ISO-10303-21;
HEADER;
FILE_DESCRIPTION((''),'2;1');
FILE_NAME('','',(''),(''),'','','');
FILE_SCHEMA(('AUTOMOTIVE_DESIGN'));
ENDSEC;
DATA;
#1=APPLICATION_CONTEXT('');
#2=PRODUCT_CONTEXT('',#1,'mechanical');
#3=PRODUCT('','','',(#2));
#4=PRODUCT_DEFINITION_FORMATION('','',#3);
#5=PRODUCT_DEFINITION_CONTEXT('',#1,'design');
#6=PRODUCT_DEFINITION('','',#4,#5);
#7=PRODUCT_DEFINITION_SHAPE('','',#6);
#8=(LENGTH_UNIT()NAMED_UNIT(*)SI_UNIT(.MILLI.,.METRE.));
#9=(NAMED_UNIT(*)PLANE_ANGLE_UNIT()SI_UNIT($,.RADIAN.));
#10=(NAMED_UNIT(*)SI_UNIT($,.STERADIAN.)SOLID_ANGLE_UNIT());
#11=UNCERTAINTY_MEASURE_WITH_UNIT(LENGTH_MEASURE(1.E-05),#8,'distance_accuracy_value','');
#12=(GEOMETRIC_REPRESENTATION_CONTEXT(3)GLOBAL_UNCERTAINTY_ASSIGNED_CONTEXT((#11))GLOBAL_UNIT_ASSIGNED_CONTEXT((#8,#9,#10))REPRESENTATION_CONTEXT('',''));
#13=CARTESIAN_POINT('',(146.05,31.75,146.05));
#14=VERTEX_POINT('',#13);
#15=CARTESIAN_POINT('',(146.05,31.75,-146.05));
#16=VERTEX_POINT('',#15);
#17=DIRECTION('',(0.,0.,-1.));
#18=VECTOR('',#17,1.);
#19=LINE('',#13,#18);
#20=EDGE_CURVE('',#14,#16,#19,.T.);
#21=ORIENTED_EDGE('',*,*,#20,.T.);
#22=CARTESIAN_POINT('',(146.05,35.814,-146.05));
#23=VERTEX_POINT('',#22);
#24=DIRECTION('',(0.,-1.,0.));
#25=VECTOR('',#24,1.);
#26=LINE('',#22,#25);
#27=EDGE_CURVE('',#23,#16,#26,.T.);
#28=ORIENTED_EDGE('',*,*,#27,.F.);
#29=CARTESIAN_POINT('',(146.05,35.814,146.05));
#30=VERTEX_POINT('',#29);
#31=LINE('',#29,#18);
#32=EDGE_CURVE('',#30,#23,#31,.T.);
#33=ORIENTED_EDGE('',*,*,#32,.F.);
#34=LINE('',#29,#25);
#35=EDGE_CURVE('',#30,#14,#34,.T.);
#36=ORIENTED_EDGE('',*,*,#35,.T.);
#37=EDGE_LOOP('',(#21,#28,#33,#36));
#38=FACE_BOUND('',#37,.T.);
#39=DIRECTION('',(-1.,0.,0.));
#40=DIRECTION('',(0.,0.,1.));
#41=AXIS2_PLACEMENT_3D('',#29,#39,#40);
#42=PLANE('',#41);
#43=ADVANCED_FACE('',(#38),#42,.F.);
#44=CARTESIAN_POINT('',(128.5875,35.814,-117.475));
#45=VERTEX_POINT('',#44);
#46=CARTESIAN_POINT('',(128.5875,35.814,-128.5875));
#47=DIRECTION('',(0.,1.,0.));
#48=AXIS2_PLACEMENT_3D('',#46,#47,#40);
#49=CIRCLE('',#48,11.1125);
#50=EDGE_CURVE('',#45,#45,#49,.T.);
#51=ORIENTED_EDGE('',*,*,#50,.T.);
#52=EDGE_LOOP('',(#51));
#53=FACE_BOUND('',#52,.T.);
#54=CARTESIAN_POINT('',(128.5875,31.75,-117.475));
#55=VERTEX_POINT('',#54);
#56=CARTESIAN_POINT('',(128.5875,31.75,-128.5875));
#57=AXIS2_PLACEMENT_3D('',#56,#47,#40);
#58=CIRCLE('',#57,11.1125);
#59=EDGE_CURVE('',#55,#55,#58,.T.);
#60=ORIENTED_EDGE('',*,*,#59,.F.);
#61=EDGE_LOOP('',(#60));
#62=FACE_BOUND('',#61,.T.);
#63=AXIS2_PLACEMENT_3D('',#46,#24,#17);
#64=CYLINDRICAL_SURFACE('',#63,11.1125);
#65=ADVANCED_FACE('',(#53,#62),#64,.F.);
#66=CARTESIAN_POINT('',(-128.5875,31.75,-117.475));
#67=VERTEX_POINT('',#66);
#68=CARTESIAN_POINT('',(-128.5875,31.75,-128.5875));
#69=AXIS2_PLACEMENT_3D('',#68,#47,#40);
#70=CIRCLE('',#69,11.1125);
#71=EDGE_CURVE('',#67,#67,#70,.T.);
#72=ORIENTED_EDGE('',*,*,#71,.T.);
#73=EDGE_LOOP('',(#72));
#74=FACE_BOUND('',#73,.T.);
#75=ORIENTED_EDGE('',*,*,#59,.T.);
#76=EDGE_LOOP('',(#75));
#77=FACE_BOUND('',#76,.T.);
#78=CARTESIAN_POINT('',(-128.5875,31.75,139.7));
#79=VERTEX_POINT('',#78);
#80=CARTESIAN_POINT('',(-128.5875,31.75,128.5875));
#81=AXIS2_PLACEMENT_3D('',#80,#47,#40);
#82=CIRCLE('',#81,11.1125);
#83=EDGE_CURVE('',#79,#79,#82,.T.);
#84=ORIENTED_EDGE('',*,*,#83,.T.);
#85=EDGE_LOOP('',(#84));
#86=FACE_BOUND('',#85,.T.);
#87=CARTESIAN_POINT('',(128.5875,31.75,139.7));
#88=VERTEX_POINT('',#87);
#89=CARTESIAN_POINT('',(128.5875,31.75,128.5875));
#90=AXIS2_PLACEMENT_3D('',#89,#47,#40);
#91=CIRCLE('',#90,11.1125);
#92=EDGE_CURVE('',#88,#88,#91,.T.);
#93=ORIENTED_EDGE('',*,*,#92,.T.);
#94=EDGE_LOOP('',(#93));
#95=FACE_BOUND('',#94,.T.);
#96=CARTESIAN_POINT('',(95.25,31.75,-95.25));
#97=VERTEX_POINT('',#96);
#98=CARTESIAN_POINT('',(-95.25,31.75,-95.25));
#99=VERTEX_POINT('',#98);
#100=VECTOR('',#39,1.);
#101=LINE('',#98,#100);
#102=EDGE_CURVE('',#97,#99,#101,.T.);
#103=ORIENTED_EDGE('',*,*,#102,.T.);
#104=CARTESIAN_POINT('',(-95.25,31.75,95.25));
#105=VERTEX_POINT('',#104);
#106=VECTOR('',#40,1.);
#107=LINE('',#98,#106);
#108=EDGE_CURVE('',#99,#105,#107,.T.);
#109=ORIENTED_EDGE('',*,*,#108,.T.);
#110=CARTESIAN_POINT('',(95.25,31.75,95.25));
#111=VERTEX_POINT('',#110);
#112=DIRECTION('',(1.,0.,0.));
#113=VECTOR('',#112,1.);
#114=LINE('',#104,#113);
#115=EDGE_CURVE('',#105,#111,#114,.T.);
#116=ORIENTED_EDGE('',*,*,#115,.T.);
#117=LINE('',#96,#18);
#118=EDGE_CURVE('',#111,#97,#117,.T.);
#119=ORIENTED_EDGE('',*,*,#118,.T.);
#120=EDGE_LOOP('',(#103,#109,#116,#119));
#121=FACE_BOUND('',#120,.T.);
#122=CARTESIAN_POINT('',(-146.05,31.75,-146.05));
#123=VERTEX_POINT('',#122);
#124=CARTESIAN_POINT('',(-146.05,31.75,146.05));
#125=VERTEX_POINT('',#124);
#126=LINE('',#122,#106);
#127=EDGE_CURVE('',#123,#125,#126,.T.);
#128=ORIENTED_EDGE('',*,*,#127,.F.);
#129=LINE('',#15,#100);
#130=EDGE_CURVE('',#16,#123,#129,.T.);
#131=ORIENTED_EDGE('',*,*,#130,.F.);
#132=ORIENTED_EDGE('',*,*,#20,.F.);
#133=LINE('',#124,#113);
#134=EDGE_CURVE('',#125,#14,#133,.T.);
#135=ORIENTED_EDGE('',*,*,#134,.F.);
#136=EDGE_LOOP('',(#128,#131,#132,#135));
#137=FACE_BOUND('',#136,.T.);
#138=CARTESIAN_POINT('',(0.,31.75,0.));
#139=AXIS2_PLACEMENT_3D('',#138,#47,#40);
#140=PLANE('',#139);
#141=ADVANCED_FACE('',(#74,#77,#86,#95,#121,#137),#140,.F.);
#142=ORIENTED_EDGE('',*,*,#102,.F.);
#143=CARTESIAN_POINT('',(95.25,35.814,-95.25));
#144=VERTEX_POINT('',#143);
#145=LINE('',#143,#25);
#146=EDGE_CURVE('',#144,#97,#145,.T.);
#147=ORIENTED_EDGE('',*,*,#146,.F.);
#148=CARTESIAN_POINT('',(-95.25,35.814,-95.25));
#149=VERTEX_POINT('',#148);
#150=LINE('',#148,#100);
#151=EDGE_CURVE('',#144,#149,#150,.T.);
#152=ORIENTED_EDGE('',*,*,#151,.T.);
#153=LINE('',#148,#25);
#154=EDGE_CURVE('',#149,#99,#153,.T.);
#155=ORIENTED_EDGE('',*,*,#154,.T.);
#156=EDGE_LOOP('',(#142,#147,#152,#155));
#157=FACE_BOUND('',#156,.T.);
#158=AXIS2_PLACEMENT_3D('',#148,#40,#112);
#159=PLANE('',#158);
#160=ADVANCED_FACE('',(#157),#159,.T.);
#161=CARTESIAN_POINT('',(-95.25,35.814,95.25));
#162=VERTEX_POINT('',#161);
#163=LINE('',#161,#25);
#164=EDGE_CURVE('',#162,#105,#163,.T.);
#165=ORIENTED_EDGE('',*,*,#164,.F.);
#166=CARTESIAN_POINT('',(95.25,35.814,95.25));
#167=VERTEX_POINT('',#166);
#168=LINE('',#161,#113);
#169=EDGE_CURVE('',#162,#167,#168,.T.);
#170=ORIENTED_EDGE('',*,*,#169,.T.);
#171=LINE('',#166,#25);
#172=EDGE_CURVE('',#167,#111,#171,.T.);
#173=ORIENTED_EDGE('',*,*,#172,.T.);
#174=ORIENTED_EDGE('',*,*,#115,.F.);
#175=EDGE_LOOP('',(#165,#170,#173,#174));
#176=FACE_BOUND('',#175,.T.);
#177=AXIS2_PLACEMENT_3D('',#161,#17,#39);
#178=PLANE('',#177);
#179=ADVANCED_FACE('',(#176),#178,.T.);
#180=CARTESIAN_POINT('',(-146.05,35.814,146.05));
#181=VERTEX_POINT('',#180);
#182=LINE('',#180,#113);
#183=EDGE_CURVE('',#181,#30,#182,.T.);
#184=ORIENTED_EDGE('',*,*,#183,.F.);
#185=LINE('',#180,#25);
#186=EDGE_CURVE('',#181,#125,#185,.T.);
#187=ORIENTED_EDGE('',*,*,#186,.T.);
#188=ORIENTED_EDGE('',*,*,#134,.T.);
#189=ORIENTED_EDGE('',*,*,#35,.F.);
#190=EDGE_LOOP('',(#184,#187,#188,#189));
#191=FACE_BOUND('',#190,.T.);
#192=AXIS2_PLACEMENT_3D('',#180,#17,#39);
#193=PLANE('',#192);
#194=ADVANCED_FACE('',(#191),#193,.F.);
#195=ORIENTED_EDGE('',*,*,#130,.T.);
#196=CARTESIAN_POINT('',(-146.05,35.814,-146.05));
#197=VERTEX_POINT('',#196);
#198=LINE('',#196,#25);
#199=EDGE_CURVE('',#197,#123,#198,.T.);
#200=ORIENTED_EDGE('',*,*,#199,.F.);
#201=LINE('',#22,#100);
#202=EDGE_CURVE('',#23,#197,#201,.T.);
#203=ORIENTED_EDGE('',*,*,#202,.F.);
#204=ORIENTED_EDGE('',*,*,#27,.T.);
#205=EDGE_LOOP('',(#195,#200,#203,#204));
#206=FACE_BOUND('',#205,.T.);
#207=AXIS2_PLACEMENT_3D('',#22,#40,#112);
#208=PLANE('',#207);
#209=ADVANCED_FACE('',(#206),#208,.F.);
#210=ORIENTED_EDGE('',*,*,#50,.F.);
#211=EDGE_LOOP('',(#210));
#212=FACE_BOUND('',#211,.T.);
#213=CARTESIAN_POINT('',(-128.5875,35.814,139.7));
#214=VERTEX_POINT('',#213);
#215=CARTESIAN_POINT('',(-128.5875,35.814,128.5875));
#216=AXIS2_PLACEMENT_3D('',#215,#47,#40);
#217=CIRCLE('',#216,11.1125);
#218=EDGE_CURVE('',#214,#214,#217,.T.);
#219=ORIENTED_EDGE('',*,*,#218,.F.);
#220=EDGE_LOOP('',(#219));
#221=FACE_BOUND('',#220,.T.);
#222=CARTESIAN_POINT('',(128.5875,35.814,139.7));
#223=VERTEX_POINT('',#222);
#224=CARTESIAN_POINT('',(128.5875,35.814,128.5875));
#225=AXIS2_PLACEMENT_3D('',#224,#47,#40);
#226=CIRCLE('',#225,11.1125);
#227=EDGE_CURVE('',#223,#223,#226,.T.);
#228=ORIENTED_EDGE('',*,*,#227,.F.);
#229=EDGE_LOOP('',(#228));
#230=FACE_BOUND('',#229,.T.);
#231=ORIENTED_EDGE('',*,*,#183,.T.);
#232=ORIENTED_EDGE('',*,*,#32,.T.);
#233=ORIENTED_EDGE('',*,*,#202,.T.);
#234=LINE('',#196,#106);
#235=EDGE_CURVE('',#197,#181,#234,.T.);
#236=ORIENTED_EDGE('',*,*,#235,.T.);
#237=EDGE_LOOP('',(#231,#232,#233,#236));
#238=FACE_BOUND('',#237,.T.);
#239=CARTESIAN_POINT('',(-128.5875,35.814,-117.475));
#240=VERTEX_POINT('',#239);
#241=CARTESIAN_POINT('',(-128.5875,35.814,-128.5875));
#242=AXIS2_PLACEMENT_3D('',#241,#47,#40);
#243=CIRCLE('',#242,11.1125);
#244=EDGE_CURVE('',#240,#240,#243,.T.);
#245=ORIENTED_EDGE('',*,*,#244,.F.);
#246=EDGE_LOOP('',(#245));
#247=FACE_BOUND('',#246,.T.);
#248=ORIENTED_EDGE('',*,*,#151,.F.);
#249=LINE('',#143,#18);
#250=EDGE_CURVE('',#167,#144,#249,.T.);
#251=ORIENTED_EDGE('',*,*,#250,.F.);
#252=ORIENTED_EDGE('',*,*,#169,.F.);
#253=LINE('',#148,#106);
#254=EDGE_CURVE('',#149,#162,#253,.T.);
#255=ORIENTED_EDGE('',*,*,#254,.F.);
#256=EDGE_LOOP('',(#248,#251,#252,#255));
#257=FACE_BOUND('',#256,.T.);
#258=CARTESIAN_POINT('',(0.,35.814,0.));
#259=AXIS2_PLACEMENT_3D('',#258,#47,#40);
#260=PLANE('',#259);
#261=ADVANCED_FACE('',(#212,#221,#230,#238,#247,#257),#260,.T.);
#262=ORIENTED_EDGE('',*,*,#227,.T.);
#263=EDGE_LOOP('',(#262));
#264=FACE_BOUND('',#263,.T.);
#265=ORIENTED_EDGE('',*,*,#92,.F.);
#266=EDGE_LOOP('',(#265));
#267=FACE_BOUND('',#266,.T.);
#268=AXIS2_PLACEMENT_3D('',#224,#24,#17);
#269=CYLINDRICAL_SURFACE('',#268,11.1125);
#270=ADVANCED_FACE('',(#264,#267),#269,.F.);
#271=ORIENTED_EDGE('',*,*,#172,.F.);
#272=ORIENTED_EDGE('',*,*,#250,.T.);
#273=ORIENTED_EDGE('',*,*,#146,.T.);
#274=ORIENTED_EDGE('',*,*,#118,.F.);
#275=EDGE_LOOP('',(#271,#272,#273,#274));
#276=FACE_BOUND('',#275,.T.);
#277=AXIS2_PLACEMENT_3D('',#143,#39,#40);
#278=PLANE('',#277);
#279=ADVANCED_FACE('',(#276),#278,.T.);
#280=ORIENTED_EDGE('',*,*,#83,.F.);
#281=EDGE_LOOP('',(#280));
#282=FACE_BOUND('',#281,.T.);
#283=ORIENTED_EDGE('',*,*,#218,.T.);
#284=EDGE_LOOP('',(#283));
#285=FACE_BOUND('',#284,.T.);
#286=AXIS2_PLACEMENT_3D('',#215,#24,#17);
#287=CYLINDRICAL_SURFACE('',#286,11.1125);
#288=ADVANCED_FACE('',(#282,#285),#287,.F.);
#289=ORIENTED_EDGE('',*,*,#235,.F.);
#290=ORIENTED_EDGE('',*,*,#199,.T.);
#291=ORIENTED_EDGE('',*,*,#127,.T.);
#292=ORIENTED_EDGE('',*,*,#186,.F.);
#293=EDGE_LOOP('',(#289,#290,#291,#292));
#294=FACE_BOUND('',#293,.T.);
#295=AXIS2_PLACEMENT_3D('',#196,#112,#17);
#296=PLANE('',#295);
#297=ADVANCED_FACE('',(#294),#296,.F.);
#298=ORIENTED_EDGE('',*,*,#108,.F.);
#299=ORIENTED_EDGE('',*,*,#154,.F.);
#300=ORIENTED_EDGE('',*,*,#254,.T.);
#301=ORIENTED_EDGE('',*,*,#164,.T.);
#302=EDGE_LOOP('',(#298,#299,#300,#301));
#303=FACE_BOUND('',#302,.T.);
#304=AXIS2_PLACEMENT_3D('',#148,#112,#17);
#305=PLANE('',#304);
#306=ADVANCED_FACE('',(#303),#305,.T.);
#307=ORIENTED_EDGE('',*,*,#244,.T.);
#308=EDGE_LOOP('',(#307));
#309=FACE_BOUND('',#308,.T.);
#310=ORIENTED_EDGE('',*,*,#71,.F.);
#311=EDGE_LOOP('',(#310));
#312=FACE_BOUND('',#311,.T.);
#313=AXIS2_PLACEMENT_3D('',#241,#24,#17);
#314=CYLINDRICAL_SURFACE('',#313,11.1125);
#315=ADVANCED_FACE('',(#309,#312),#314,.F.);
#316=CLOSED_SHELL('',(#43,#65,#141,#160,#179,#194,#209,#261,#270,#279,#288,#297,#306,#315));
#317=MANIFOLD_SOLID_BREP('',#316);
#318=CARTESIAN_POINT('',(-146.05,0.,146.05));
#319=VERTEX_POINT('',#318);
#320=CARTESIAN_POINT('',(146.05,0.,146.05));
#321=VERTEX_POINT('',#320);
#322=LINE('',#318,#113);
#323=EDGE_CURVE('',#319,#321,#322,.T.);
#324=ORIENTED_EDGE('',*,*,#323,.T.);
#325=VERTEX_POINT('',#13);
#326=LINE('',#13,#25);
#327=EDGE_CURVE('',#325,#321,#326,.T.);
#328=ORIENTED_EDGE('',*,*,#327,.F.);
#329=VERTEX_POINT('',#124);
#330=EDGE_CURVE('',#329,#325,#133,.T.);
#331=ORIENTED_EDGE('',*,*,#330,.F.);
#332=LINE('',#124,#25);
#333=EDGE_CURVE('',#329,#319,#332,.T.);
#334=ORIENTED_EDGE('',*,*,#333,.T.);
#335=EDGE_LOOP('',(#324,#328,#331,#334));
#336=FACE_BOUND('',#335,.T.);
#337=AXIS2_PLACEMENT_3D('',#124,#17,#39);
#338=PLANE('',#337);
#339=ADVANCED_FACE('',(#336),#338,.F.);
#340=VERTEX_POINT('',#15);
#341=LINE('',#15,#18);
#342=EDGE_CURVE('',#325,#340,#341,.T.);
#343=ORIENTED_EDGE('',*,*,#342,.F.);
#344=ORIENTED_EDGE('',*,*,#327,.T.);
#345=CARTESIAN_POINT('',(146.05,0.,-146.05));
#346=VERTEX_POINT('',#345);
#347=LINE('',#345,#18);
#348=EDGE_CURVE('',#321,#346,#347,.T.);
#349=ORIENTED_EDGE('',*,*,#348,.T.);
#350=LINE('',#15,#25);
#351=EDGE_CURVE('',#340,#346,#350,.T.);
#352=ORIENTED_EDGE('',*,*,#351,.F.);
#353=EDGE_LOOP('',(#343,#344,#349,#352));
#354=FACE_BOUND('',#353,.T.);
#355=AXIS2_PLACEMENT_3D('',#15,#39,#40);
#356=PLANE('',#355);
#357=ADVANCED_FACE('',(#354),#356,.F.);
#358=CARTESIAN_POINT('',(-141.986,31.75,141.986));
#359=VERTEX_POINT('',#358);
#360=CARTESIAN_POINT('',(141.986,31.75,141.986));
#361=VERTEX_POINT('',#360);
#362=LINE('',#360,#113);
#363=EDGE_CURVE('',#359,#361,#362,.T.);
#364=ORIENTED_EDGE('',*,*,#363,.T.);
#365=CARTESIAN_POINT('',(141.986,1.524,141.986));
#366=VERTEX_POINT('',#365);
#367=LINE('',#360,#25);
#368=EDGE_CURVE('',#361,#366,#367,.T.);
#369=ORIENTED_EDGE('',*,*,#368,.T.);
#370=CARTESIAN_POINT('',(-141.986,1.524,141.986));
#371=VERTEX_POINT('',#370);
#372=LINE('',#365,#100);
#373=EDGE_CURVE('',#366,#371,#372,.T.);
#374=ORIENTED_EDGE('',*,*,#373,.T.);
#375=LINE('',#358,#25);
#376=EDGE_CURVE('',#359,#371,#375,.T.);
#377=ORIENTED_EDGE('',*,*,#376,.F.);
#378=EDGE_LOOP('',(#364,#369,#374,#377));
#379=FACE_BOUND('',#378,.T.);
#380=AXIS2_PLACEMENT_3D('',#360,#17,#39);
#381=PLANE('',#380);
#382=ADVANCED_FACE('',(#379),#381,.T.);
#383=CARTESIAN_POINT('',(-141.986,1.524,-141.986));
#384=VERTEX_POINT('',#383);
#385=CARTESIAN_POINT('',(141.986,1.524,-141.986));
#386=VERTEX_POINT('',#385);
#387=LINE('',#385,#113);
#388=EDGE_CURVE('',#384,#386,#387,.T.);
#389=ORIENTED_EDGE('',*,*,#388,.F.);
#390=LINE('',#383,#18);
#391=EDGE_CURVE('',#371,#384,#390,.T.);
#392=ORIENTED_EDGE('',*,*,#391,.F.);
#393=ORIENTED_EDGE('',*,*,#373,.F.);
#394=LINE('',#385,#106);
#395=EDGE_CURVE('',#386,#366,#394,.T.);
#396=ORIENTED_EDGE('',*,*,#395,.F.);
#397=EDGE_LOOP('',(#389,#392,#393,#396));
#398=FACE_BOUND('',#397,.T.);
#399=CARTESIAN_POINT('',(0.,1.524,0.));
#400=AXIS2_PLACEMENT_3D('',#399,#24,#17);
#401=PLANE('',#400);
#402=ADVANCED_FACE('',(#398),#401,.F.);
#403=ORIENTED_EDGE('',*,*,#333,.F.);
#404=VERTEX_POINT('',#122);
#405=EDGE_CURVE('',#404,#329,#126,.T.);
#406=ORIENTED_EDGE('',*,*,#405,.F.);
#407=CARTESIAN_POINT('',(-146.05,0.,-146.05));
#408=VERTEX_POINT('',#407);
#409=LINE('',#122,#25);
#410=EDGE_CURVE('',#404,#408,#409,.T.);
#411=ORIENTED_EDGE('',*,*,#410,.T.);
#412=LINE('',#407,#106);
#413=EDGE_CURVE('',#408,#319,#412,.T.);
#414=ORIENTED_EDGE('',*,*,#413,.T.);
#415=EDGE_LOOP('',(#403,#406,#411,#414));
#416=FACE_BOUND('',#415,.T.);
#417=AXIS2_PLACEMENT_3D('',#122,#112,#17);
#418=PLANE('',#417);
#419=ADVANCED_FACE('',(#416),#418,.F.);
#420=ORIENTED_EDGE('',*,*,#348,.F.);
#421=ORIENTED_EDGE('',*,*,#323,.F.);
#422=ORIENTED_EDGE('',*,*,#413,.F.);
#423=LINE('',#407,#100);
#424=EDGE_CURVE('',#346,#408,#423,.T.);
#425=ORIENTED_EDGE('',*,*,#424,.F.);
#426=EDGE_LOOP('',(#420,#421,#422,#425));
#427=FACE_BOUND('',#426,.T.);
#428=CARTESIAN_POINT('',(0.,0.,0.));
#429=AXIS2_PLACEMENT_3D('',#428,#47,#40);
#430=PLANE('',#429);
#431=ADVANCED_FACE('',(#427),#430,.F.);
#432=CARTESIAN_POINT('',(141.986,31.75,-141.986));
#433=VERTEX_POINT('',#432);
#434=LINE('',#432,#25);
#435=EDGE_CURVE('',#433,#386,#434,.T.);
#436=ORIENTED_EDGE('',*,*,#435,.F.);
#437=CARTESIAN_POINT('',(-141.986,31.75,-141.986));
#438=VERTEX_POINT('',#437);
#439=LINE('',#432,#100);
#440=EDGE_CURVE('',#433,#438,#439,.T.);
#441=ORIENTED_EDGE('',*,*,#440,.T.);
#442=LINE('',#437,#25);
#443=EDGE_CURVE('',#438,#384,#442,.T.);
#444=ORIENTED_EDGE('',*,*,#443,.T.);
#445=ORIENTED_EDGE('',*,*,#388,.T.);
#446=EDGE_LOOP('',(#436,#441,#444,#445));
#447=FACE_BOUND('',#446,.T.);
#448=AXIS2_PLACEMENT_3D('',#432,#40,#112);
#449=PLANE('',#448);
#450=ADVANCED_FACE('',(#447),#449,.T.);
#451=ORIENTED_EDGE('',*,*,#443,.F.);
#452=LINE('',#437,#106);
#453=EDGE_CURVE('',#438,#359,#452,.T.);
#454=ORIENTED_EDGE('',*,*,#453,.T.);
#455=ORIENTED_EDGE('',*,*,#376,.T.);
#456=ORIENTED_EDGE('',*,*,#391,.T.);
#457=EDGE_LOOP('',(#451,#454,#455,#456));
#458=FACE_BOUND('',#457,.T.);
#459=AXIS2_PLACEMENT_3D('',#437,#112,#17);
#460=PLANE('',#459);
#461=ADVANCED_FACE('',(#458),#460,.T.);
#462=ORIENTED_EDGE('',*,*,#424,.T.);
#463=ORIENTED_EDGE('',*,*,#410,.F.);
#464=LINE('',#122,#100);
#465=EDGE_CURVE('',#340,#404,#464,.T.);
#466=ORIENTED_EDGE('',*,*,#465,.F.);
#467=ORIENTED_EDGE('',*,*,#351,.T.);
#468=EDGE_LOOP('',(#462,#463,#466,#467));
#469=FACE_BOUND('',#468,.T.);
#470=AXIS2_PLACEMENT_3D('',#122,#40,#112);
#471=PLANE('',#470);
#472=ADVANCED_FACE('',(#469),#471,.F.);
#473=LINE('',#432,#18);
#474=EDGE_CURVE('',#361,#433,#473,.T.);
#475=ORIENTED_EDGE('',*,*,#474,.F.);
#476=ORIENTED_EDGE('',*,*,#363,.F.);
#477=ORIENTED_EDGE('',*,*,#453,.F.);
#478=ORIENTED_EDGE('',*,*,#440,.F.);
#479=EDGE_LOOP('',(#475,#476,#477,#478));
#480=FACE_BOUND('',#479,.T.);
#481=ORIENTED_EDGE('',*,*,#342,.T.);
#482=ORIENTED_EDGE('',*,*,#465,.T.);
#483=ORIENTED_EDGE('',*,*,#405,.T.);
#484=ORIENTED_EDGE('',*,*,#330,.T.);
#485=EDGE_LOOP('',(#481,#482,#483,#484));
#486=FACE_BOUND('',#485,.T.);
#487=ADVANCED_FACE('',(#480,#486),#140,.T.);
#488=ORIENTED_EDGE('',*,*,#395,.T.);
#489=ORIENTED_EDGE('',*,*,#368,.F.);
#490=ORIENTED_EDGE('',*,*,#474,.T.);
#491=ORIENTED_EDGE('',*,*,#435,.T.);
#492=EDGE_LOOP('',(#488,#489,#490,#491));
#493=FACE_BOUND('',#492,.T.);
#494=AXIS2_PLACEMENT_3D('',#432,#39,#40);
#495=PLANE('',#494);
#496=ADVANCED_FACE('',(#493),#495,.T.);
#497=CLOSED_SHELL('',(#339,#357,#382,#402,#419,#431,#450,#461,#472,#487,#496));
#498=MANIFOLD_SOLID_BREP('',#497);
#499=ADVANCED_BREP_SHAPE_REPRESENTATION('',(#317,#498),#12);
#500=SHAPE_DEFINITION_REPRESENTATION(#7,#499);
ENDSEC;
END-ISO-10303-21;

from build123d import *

# Parameters (mm, degrees)
SKETCH1_W           = 292.1
SKETCH1_H           = 292.1
SKETCH1_W_2         = 283.972
SKETCH1_H_2         = 283.972
BOSS_EXTRUDE1_DEPTH = 31.75
SKETCH2_W           = 292.1
SKETCH2_H           = 292.1
BOSS_EXTRUDE2_DEPTH = 1.524
SKETCH3_W           = 292.1
SKETCH3_H           = 292.1
SKETCH3_R           = 11.1125
SKETCH3_W_2         = 190.5
SKETCH3_H_2         = 190.5
BOSS_EXTRUDE3_DEPTH = 4.064


with BuildPart() as part:
    # Sketch1 → Boss-Extrude1 (new body)
    with BuildSketch(Plane(origin=(0, 0, 0), x_dir=(1, 0, 0), z_dir=(0, 1, 0))):
        Rectangle(SKETCH1_W, SKETCH1_H)
        Rectangle(SKETCH1_W_2, SKETCH1_H_2, mode=Mode.SUBTRACT)
    extrude(amount=BOSS_EXTRUDE1_DEPTH)

    # Sketch2 → Boss-Extrude2 (add)
    with BuildSketch(Plane.XZ):
        Rectangle(SKETCH2_W, SKETCH2_H)
    extrude(amount=-BOSS_EXTRUDE2_DEPTH)


with BuildPart() as body_2:
    # Sketch3 → Boss-Extrude3 (new body)
    with BuildSketch(Plane(origin=(0, 31.75, 0), x_dir=(1, 0, 0), z_dir=(0, 1, 0))):
        Rectangle(SKETCH3_W, SKETCH3_H)
        with Locations(Location((-128.5875, 128.5875, 0), (0, 0, 270))):
            Circle(SKETCH3_R, mode=Mode.SUBTRACT)
        with Locations(Location((-128.5875, -128.5875, 0), (0, 0, 270))):
            Circle(SKETCH3_R, mode=Mode.SUBTRACT)
        with Locations(Location((128.5875, -128.5875, 0), (0, 0, 270))):
            Circle(SKETCH3_R, mode=Mode.SUBTRACT)
        with Locations(Location((128.5875, 128.5875, 0), (0, 0, 270))):
            Circle(SKETCH3_R, mode=Mode.SUBTRACT)
        Rectangle(SKETCH3_W_2, SKETCH3_H_2, mode=Mode.SUBTRACT)
    extrude(amount=BOSS_EXTRUDE3_DEPTH)


solid = Compound([part.part, body_2.part])
